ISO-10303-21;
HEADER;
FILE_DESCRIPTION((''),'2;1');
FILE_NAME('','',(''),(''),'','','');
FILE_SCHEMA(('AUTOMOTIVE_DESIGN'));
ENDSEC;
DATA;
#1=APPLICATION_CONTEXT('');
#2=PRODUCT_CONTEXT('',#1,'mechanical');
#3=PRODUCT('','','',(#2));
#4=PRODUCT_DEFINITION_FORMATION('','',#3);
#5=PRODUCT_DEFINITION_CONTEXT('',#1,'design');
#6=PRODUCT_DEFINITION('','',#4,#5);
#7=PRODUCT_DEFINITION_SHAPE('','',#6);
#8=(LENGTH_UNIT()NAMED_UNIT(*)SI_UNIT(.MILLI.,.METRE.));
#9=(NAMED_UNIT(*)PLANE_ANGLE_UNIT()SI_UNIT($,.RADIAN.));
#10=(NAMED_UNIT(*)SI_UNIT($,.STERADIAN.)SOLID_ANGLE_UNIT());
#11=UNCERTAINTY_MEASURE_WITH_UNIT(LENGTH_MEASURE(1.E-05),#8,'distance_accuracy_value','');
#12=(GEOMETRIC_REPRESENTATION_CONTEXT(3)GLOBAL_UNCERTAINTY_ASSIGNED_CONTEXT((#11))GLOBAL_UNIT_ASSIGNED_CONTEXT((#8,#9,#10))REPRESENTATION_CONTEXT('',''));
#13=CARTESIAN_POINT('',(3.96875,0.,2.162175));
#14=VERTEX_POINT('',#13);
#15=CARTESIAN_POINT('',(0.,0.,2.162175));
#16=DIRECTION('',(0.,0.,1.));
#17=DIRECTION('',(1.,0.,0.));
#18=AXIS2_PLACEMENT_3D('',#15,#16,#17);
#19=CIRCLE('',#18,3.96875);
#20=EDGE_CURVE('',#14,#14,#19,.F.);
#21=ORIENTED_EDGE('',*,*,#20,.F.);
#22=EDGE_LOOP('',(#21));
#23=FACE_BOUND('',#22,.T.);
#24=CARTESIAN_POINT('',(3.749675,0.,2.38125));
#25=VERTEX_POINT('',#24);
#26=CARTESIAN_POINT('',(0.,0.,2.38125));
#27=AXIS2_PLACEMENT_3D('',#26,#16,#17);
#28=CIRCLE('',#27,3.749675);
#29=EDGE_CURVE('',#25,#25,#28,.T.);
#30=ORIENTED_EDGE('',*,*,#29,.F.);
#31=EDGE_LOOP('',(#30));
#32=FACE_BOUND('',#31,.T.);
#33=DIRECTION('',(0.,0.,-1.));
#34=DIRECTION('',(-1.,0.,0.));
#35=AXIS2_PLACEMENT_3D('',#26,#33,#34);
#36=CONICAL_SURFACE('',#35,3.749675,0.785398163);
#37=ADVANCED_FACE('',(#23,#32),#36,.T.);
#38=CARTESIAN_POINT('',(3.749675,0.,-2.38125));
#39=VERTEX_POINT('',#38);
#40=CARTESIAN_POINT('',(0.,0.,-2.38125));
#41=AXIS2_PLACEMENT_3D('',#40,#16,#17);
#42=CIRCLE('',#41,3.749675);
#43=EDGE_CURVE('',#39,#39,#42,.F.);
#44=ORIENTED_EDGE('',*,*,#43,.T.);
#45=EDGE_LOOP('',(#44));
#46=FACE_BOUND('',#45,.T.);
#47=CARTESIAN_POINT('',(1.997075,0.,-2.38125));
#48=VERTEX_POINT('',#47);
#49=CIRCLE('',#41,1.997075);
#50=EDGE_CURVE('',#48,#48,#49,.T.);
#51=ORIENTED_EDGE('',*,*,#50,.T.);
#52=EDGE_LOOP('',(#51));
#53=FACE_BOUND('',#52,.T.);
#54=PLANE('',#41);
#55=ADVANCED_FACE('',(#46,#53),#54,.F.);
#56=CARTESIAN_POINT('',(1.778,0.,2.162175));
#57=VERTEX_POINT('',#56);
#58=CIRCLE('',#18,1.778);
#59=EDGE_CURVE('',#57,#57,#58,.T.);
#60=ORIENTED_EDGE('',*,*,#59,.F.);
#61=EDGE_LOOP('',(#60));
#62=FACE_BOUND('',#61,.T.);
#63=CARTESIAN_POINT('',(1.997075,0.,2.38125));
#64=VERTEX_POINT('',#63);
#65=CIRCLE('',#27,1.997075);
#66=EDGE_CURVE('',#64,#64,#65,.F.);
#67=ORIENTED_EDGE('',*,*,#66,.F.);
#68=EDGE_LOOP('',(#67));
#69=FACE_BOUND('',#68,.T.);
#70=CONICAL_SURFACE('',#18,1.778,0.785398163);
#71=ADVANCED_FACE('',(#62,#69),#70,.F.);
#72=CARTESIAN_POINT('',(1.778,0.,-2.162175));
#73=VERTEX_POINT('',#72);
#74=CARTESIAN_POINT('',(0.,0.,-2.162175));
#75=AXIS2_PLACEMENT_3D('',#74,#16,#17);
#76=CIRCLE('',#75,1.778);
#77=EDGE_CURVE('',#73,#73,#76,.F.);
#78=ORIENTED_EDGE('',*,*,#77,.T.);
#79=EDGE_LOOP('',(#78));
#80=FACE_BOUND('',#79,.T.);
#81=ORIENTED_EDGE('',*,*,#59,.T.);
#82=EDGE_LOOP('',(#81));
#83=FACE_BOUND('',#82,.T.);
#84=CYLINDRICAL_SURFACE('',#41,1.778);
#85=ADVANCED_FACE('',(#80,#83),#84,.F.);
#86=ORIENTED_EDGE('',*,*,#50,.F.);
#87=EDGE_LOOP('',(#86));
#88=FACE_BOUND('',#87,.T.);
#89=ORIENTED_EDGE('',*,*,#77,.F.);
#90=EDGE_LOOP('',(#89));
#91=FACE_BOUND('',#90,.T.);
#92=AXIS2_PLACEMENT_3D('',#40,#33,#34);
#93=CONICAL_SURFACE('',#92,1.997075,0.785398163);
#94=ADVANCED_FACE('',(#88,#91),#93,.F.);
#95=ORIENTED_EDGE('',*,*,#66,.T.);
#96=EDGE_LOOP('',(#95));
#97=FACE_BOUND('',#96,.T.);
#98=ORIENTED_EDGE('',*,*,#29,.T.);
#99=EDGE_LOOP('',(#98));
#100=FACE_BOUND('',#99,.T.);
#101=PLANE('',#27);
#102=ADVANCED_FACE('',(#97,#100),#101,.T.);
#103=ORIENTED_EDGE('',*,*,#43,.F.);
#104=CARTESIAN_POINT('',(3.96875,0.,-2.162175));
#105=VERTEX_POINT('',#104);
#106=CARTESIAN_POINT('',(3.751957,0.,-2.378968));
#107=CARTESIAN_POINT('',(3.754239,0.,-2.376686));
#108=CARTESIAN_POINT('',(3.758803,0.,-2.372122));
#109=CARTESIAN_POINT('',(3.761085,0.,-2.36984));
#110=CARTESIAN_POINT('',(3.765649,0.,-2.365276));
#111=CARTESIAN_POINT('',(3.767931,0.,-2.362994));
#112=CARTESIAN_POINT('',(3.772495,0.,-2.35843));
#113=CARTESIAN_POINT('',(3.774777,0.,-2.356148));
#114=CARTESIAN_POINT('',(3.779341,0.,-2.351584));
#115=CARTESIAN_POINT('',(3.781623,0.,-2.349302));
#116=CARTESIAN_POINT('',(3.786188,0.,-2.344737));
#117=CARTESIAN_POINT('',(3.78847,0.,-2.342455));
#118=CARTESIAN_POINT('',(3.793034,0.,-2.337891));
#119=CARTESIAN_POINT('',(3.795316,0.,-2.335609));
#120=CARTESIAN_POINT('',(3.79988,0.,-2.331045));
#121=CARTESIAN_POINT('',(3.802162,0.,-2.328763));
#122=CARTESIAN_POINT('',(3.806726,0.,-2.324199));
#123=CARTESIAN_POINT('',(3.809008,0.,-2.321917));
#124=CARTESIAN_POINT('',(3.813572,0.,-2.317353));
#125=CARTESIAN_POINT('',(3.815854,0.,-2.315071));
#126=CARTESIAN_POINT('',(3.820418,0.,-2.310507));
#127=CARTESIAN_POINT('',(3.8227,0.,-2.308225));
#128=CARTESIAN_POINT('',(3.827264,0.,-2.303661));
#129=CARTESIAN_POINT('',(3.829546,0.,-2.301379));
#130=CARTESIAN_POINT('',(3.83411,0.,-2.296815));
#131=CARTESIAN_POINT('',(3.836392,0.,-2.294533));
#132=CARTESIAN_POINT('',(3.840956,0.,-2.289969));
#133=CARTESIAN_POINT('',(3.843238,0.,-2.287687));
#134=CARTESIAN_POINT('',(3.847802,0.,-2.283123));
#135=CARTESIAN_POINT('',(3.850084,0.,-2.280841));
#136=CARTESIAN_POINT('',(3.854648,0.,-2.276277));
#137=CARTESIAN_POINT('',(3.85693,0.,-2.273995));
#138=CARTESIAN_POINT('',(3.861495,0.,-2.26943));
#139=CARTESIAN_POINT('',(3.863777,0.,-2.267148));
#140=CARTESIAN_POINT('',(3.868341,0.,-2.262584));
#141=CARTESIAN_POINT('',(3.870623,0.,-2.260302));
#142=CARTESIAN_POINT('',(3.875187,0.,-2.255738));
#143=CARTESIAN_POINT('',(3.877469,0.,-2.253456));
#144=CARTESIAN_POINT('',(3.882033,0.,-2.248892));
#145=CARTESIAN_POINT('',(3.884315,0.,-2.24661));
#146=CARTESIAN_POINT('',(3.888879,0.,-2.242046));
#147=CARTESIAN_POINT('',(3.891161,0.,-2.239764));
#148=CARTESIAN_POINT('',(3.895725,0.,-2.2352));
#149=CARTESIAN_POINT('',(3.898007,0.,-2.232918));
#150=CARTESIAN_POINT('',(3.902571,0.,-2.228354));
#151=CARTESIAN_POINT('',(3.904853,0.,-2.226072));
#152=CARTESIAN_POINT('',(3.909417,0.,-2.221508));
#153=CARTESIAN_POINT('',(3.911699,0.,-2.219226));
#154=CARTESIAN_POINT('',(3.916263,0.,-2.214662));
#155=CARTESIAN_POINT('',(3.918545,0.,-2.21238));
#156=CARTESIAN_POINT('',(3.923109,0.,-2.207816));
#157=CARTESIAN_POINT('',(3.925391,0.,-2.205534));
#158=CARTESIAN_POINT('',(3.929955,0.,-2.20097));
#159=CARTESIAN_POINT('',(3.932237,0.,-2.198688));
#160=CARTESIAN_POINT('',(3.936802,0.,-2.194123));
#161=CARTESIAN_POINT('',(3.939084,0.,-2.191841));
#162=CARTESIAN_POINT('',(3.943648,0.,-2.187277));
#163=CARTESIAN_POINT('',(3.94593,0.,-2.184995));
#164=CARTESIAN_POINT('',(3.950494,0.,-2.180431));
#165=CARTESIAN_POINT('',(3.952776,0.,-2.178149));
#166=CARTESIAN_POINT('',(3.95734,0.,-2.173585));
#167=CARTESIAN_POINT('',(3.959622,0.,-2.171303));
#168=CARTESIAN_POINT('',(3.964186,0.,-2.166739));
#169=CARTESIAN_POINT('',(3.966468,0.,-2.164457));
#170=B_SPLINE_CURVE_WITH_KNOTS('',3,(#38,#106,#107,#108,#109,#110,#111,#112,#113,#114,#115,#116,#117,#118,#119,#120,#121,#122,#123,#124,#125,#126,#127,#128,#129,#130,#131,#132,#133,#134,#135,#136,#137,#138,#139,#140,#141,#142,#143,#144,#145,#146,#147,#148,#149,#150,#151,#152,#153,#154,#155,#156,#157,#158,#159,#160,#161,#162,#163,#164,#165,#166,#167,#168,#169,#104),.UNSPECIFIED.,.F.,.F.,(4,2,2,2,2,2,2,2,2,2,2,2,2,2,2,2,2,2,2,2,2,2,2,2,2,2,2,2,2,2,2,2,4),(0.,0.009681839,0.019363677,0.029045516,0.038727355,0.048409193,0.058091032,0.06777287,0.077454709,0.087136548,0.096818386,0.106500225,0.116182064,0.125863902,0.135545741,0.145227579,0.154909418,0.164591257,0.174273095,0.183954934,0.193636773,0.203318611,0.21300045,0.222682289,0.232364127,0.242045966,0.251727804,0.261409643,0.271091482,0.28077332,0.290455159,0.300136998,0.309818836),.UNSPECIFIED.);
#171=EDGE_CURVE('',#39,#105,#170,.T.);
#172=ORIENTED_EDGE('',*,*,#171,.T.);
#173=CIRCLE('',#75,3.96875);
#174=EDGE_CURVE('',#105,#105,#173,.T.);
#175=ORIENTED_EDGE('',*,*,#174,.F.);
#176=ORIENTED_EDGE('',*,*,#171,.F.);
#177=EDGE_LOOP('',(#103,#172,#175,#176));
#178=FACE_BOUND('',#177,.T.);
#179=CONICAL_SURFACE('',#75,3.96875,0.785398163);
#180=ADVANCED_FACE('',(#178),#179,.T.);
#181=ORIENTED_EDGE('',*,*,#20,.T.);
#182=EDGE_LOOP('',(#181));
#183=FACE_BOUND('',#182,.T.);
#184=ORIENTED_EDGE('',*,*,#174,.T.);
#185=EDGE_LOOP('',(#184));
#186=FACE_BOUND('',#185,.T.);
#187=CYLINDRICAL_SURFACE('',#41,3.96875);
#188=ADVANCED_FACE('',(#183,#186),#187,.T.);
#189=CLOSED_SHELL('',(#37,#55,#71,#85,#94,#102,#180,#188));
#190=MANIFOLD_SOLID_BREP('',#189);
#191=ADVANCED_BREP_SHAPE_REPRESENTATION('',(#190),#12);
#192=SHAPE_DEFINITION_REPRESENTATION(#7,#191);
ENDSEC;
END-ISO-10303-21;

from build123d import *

# Parameters (mm, degrees)
BOSS_EXTRUDE1_DEPTH      = 2.38125
BOSS_EXTRUDE1_DEPTH_BACK = 2.38125
SKETCH3_R                = 3.96875
SKETCH3_R_2              = 1.778
CHAMFER1_SIZE            = 0.219075


with BuildPart() as part:
    # Sketch3 → Boss-Extrude1 (new, two sides: drawn at the far end of the back side and taken through both)
    with BuildSketch(Plane.XY.offset(-BOSS_EXTRUDE1_DEPTH_BACK)):
        Circle(SKETCH3_R)
        Circle(SKETCH3_R_2, mode=Mode.SUBTRACT)
    extrude(amount=BOSS_EXTRUDE1_DEPTH + BOSS_EXTRUDE1_DEPTH_BACK)

    # Chamfer1
    chamfer1_edges = [part.edges().sort_by_distance(p)[0] for p in [
        (-3.96875, 0, -2.38125),
        (-1.778, 0, -2.38125),
        (-3.96875, 0, 2.38125),
        (-1.778, 0, 2.38125),
    ]]
    chamfer(chamfer1_edges, length=CHAMFER1_SIZE)


solid = part.part
